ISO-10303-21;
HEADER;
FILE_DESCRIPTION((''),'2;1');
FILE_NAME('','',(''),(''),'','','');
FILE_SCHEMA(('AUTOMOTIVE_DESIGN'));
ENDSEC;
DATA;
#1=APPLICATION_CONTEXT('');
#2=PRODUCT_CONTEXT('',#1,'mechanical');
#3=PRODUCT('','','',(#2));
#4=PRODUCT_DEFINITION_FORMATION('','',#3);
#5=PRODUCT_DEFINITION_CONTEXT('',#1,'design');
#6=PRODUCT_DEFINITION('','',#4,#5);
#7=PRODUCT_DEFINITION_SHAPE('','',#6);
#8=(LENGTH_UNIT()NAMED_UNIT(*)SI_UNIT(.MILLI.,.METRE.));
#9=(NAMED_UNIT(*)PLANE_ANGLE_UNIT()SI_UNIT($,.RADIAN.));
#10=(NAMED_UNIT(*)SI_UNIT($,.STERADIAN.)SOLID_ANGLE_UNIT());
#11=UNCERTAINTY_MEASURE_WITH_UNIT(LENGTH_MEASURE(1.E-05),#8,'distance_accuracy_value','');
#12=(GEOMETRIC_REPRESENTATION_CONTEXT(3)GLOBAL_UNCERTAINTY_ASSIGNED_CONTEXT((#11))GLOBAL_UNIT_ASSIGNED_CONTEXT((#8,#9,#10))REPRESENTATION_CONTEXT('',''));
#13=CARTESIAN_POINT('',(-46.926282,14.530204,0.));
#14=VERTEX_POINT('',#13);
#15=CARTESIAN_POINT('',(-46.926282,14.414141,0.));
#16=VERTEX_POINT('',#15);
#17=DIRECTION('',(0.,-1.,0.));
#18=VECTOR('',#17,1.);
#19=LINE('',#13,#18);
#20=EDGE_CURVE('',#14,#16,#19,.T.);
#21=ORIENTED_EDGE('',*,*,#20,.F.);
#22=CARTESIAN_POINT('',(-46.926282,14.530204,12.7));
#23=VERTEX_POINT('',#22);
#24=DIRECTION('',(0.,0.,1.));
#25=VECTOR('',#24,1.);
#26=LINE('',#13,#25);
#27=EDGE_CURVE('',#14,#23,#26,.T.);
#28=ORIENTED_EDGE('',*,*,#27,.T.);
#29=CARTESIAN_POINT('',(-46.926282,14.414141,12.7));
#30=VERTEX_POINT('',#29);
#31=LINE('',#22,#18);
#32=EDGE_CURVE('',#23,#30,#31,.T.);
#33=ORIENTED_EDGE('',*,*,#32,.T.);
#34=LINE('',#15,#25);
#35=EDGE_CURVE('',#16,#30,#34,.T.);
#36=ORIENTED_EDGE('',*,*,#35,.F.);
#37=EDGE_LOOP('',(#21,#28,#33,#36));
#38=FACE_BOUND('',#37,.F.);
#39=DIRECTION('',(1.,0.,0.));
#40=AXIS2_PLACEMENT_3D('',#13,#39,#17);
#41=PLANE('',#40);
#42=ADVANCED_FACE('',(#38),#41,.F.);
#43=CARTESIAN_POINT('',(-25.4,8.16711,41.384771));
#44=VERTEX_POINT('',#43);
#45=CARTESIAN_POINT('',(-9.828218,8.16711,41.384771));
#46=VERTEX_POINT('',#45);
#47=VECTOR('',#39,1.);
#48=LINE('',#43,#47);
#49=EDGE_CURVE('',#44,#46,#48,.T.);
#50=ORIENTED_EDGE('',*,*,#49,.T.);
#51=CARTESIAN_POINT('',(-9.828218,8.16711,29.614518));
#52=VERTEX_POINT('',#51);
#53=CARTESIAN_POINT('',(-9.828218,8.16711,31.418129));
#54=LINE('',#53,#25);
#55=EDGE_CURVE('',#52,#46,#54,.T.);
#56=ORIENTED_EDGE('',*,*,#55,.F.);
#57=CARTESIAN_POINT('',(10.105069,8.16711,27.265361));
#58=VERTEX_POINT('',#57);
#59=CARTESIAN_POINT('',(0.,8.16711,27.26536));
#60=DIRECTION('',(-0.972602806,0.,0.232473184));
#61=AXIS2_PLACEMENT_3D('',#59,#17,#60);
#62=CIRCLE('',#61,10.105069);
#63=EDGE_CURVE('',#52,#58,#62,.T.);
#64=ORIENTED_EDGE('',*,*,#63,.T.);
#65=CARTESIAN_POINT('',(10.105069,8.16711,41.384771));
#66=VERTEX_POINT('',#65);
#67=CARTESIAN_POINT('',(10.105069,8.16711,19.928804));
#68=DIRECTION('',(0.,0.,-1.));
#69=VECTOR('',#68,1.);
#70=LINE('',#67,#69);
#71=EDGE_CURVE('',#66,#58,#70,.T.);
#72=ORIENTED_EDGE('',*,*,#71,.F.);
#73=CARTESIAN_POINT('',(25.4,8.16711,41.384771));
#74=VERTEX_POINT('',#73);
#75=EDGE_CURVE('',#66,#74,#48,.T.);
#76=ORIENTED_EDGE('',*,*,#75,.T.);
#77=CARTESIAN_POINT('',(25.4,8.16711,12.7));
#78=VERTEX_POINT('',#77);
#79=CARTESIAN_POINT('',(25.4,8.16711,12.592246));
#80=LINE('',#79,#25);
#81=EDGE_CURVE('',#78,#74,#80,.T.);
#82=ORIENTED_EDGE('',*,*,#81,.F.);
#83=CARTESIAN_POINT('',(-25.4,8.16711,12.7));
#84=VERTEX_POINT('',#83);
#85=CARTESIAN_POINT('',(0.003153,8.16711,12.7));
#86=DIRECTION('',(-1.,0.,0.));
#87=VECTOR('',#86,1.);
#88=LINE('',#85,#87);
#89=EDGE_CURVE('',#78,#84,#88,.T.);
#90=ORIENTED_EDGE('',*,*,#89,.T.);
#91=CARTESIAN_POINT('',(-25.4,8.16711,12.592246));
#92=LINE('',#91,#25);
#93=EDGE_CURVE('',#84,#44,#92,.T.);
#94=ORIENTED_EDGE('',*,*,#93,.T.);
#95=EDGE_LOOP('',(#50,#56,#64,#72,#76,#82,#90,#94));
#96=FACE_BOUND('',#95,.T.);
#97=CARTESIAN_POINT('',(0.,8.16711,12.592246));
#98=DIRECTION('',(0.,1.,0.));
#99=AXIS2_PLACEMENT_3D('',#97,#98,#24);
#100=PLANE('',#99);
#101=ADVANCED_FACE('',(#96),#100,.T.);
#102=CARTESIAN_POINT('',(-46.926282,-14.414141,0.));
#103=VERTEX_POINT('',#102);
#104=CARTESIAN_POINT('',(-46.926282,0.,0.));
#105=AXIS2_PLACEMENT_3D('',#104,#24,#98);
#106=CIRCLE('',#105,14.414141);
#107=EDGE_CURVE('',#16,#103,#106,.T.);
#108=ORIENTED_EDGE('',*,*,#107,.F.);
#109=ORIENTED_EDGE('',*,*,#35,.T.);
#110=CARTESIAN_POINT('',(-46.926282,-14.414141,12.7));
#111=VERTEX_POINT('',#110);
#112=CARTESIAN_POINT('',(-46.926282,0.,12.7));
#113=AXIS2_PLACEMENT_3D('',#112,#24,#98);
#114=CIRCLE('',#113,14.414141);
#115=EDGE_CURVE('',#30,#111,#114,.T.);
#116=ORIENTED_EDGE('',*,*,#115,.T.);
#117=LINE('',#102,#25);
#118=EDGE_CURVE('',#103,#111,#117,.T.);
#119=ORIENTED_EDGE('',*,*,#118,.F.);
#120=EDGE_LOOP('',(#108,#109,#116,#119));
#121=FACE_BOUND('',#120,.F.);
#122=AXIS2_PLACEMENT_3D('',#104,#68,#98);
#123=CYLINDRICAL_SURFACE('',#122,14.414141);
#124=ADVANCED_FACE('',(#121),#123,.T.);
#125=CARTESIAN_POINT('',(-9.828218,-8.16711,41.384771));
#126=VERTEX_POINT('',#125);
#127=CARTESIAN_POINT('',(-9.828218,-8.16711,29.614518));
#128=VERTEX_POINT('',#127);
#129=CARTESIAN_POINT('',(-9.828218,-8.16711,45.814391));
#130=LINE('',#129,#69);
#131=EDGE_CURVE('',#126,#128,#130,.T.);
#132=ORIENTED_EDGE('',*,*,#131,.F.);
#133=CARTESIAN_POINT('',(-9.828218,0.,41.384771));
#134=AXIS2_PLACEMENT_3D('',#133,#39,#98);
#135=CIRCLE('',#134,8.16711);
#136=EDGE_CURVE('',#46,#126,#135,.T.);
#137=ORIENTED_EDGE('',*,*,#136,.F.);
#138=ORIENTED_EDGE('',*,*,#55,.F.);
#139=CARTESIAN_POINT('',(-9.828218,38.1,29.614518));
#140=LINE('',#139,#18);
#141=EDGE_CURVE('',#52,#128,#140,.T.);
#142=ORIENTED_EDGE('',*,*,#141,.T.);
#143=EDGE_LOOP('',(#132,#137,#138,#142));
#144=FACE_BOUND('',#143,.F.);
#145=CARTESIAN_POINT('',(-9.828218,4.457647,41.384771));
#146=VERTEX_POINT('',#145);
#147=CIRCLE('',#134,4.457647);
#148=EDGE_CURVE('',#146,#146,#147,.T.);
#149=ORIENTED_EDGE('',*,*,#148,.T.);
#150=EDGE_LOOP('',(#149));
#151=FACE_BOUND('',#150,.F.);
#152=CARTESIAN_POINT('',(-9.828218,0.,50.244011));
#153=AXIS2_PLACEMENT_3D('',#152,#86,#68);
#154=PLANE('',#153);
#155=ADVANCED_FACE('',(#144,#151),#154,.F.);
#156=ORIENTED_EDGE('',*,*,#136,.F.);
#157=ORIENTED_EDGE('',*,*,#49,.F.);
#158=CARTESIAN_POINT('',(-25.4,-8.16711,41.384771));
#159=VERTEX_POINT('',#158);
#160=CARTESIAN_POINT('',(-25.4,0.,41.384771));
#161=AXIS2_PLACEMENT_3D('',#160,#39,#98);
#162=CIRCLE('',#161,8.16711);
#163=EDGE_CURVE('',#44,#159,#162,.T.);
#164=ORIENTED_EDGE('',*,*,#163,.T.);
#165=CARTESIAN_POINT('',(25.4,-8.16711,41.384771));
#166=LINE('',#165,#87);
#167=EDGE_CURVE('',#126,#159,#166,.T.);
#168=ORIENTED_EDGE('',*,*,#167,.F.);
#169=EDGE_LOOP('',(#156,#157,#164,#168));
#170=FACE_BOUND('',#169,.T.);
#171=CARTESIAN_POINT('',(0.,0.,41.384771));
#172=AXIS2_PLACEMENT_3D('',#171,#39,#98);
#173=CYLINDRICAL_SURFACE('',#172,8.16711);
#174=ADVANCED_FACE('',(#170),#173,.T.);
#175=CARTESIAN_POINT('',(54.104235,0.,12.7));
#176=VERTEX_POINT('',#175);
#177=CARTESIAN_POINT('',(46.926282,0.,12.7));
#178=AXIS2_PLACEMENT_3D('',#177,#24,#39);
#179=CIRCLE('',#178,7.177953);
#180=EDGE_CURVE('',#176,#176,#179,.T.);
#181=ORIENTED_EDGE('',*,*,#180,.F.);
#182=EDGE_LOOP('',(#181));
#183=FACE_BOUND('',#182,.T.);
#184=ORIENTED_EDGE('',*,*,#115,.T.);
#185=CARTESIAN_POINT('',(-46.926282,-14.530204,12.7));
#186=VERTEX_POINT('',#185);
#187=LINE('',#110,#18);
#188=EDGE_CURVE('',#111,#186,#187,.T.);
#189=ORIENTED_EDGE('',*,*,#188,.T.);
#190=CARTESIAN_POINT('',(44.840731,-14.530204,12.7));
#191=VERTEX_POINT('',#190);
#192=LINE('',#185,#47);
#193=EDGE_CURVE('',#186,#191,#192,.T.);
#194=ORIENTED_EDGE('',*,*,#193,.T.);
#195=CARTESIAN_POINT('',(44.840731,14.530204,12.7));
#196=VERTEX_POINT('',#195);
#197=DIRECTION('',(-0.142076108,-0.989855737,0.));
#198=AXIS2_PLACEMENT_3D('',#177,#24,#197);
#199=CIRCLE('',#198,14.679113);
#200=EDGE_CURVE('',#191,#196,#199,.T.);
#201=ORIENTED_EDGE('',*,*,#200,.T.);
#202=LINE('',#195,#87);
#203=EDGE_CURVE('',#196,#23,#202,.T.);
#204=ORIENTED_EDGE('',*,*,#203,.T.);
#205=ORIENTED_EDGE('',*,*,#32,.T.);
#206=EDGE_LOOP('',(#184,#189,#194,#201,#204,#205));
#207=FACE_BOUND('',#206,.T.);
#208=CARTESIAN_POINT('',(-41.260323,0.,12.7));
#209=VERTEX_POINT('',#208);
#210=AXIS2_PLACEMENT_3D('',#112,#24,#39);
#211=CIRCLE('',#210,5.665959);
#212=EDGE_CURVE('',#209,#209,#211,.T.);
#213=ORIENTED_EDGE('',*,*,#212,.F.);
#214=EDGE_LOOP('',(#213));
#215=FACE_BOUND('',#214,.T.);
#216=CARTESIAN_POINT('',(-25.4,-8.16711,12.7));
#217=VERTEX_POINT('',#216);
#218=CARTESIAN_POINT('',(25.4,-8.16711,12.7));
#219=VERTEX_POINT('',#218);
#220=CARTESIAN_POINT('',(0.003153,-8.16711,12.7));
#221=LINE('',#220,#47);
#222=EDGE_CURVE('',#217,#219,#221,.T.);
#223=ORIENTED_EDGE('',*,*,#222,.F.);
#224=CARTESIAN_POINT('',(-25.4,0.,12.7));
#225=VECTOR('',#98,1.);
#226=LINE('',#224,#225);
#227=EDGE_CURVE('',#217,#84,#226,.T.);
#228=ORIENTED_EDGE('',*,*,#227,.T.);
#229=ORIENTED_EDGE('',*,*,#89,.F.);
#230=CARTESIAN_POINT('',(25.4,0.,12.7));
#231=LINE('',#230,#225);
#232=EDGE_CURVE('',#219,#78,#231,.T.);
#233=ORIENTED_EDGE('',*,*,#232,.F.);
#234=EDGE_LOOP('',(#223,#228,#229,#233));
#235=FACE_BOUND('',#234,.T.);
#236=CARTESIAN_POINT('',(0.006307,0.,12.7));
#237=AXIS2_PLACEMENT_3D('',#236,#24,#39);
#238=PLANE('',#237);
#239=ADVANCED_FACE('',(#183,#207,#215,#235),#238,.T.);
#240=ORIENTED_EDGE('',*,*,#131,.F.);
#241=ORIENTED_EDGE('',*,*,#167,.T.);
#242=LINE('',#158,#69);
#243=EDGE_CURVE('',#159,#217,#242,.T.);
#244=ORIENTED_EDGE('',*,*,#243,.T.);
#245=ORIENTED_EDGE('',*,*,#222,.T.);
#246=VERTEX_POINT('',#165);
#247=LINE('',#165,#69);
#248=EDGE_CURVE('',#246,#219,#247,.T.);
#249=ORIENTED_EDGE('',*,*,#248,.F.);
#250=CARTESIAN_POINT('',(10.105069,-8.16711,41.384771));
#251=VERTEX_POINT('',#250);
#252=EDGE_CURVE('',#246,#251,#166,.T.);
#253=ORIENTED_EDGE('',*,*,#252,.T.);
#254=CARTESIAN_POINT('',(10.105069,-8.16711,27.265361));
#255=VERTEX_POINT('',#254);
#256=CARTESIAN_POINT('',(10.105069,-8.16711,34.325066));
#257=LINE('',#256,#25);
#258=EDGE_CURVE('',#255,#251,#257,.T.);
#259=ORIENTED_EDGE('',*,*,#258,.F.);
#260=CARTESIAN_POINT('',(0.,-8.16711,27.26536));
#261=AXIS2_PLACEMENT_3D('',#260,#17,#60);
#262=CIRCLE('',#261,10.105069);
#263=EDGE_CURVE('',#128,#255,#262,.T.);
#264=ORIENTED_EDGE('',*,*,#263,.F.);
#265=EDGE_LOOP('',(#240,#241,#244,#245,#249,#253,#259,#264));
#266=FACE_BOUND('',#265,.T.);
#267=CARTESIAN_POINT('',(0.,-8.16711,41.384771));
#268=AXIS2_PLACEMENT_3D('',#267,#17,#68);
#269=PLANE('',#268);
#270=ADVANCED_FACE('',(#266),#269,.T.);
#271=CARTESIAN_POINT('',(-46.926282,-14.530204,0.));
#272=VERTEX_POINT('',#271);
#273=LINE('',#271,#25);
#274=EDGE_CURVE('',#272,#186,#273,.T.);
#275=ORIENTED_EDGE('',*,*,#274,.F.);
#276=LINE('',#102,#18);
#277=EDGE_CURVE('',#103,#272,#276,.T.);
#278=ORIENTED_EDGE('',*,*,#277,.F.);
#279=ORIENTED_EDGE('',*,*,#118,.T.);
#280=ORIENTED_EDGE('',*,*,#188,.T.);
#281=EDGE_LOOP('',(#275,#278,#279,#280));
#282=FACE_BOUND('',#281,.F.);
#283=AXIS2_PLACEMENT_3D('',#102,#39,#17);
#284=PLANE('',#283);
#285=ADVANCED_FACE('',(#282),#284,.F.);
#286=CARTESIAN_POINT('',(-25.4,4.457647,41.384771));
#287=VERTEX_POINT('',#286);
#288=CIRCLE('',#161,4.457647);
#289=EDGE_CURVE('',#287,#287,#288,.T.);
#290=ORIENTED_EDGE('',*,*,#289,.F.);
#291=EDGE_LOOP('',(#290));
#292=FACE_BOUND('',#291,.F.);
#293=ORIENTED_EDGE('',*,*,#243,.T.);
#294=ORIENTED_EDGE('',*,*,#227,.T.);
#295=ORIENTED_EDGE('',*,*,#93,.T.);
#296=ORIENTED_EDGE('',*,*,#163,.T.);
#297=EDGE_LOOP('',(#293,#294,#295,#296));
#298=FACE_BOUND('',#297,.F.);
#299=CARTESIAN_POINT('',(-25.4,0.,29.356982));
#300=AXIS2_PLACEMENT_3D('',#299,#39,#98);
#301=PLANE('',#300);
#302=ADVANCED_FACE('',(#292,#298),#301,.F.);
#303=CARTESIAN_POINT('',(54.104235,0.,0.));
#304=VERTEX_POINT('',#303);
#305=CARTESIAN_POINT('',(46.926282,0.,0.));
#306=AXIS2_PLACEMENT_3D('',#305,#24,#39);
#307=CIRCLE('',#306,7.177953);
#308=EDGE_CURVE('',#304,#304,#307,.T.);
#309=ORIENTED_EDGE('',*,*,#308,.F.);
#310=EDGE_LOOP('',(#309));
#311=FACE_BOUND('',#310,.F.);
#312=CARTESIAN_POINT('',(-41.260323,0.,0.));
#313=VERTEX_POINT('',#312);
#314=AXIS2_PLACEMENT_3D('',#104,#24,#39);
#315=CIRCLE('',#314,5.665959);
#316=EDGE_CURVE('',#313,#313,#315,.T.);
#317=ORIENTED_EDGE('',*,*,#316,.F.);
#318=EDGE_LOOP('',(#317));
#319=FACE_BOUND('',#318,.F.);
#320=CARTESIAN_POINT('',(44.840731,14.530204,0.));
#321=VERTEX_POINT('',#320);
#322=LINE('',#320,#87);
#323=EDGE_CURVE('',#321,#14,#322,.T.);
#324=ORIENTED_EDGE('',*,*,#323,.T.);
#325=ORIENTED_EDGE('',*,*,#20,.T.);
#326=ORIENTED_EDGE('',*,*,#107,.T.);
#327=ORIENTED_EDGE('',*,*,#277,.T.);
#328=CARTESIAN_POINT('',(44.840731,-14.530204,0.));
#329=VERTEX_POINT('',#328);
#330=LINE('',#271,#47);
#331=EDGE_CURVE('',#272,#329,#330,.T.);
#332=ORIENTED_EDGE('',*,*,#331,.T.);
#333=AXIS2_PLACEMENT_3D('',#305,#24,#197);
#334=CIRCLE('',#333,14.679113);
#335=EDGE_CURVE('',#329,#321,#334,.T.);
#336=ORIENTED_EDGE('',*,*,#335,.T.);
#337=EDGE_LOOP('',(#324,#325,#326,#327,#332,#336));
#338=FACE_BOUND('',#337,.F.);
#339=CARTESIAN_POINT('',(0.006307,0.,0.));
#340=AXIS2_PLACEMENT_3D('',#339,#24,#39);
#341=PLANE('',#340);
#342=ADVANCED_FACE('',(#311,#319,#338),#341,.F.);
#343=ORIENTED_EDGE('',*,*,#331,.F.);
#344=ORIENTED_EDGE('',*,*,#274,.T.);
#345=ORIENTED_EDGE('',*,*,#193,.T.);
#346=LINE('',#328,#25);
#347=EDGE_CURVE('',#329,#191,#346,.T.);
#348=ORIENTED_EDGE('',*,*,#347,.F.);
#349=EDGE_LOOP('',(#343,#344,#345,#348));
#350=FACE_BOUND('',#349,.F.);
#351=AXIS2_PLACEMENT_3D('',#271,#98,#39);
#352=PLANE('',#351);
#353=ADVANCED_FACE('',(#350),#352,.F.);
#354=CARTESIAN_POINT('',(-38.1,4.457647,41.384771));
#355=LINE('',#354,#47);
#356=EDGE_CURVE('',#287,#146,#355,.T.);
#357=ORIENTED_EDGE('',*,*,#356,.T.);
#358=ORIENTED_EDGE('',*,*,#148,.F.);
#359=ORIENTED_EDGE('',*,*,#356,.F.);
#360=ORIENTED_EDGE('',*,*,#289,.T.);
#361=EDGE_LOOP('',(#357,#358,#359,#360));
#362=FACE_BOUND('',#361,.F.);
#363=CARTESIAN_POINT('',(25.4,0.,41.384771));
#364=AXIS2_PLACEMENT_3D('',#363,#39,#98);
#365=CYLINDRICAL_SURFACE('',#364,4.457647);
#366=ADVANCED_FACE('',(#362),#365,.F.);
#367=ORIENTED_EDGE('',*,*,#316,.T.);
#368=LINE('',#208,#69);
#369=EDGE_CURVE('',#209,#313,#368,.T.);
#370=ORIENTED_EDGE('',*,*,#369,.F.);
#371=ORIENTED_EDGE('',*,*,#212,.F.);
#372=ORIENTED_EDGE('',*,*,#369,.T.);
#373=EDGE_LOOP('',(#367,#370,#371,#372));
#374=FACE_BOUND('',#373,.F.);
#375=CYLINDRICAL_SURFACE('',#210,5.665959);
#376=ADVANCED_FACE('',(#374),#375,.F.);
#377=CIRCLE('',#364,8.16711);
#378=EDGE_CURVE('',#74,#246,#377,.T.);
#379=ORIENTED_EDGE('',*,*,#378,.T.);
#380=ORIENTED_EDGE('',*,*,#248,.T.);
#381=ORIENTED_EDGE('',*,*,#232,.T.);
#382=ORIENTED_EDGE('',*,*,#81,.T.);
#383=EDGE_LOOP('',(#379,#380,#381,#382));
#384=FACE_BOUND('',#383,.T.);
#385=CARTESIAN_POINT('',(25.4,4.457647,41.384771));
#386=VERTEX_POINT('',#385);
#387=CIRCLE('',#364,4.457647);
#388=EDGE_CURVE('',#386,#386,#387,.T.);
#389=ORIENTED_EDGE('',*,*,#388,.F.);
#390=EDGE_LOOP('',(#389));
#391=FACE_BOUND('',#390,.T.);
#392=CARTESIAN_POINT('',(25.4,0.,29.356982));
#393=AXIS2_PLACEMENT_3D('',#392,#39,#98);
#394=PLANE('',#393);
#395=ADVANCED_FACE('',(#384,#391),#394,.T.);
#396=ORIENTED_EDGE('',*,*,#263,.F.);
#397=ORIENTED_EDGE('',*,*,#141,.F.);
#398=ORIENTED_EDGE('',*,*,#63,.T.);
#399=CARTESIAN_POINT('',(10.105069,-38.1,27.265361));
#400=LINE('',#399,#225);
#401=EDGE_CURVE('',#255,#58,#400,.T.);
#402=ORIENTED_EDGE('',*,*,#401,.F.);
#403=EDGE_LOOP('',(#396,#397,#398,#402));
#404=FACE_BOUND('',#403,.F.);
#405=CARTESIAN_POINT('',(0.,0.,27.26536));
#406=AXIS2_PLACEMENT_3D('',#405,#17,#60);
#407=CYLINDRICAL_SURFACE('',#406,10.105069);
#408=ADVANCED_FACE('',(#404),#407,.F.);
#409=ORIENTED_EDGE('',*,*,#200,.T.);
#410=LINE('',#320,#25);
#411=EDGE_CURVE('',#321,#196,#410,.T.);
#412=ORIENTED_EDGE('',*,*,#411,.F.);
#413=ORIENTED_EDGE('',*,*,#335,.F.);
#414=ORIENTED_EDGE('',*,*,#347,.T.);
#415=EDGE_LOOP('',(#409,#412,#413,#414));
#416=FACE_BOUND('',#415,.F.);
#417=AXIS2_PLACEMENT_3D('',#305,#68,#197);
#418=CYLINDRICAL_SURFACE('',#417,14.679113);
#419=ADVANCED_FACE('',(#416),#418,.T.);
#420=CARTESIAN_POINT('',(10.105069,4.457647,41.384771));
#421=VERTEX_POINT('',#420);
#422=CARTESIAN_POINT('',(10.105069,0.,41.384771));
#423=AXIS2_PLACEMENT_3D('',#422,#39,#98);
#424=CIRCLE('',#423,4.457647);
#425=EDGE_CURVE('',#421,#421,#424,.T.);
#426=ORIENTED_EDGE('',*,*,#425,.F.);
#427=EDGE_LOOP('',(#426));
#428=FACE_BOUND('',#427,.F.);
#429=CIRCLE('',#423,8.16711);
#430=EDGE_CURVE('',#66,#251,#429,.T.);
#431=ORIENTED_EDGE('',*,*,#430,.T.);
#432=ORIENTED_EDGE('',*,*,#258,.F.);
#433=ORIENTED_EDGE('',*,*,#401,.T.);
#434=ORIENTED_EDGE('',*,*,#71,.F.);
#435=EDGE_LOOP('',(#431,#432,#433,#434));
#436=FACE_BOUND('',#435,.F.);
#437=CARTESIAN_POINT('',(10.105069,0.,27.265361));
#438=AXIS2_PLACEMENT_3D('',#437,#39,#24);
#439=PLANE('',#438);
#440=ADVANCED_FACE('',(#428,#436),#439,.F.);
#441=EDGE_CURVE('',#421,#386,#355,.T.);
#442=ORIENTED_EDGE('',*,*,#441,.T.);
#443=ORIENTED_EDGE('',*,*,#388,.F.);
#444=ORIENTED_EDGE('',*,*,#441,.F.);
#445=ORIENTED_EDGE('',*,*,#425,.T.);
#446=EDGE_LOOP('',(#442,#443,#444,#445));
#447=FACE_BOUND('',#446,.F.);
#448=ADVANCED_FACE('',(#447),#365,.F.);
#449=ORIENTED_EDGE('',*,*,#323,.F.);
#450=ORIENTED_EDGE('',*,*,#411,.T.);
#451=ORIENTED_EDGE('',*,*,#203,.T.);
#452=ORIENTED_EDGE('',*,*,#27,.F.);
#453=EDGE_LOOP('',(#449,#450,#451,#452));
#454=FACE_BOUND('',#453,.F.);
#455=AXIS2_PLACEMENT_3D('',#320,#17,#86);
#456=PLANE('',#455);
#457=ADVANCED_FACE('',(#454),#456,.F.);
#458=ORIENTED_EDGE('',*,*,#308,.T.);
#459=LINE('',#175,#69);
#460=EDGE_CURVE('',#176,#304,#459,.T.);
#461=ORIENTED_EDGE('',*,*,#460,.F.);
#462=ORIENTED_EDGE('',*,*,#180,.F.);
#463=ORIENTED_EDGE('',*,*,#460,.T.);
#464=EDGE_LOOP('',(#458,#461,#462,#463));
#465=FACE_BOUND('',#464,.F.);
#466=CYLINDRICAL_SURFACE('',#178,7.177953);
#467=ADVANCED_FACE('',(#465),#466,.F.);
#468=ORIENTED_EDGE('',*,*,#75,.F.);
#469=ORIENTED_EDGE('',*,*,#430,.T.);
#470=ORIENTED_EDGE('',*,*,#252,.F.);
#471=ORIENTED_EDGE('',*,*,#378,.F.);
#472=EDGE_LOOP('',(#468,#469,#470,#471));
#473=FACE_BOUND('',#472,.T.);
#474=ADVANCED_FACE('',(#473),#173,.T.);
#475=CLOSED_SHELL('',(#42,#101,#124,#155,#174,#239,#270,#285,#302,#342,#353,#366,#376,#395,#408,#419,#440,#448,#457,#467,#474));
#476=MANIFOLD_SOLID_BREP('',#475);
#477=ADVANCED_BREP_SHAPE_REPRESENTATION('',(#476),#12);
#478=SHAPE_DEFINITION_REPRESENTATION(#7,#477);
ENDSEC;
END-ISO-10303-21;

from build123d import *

# Parameters (mm, degrees)
F1_DEPTH = 12.7
F2_R     = 7.177953
F2_R_2   = 5.665959
F3_DEPTH = 25.4
F5_DEPTH = 25.4
F6_R     = 4.457647
F7_DEPTH = 63.5
F9_DEPTH = 38.1


with BuildPart() as f1:
    # F0 (on Top) → F1 (new body)
    with BuildSketch(Plane.XY):
        with BuildLine():
            ThreePointArc((44.840731, -14.530204), (61.605395, 0), (44.840731, 14.530204))
            Line((44.840731, 14.530204), (-46.926282, 14.530204))
            Line((-46.926282, 14.530204), (-46.926282, 14.414141))
            ThreePointArc((-46.926282, 14.414141), (-61.340423, 0), (-46.926282, -14.414141))
            Line((-46.926282, -14.414141), (-46.926282, -14.530204))
            Line((-46.926282, -14.530204), (44.840731, -14.530204))
        make_face()
    extrude(amount=F1_DEPTH)

    # F2 (on face) → F3 (cut)
    with BuildSketch(Plane.XY.offset(12.7)):
        with Locations((46.926282, 0)):
            Circle(F2_R)
        with Locations((-46.926282, 0)):
            Circle(F2_R_2)
    extrude(amount=-F3_DEPTH, mode=Mode.SUBTRACT)

    # F4 (on Right) → F5 (join, symmetric)
    with BuildSketch(Plane.YZ):
        with BuildLine():
            Line((-8.16711, 12.592246), (8.16711, 12.592246))
            Line((8.16711, 12.592246), (8.16711, 41.384771))
            ThreePointArc((8.16711, 41.384771), (0, 49.551881), (-8.16711, 41.384771))
            Line((-8.16711, 41.384771), (-8.16711, 12.592246))
        make_face()
    extrude(amount=F5_DEPTH, both=True)

    # F6 (on face) → F7 (cut, symmetric)
    with BuildSketch(Plane.YZ.offset(25.4)):
        with Locations((0, 41.384771)):
            Circle(F6_R)
    extrude(amount=F7_DEPTH, both=True, mode=Mode.SUBTRACT)

    # F8 (on Front) → F9 (cut, symmetric)
    with BuildSketch(Plane.XZ):
        with BuildLine():
            Line((10.105069, 50.244011), (-9.828218, 50.244011))
            Line((-9.828218, 50.244011), (-9.828218, 29.614518))
            ThreePointArc((-9.828218, 29.614518), (-1.182707, 17.229743), (10.105069, 27.265361))
            Line((10.105069, 27.265361), (10.105069, 50.244011))
        make_face()
    extrude(amount=F9_DEPTH, both=True, mode=Mode.SUBTRACT)


solid = f1.part
